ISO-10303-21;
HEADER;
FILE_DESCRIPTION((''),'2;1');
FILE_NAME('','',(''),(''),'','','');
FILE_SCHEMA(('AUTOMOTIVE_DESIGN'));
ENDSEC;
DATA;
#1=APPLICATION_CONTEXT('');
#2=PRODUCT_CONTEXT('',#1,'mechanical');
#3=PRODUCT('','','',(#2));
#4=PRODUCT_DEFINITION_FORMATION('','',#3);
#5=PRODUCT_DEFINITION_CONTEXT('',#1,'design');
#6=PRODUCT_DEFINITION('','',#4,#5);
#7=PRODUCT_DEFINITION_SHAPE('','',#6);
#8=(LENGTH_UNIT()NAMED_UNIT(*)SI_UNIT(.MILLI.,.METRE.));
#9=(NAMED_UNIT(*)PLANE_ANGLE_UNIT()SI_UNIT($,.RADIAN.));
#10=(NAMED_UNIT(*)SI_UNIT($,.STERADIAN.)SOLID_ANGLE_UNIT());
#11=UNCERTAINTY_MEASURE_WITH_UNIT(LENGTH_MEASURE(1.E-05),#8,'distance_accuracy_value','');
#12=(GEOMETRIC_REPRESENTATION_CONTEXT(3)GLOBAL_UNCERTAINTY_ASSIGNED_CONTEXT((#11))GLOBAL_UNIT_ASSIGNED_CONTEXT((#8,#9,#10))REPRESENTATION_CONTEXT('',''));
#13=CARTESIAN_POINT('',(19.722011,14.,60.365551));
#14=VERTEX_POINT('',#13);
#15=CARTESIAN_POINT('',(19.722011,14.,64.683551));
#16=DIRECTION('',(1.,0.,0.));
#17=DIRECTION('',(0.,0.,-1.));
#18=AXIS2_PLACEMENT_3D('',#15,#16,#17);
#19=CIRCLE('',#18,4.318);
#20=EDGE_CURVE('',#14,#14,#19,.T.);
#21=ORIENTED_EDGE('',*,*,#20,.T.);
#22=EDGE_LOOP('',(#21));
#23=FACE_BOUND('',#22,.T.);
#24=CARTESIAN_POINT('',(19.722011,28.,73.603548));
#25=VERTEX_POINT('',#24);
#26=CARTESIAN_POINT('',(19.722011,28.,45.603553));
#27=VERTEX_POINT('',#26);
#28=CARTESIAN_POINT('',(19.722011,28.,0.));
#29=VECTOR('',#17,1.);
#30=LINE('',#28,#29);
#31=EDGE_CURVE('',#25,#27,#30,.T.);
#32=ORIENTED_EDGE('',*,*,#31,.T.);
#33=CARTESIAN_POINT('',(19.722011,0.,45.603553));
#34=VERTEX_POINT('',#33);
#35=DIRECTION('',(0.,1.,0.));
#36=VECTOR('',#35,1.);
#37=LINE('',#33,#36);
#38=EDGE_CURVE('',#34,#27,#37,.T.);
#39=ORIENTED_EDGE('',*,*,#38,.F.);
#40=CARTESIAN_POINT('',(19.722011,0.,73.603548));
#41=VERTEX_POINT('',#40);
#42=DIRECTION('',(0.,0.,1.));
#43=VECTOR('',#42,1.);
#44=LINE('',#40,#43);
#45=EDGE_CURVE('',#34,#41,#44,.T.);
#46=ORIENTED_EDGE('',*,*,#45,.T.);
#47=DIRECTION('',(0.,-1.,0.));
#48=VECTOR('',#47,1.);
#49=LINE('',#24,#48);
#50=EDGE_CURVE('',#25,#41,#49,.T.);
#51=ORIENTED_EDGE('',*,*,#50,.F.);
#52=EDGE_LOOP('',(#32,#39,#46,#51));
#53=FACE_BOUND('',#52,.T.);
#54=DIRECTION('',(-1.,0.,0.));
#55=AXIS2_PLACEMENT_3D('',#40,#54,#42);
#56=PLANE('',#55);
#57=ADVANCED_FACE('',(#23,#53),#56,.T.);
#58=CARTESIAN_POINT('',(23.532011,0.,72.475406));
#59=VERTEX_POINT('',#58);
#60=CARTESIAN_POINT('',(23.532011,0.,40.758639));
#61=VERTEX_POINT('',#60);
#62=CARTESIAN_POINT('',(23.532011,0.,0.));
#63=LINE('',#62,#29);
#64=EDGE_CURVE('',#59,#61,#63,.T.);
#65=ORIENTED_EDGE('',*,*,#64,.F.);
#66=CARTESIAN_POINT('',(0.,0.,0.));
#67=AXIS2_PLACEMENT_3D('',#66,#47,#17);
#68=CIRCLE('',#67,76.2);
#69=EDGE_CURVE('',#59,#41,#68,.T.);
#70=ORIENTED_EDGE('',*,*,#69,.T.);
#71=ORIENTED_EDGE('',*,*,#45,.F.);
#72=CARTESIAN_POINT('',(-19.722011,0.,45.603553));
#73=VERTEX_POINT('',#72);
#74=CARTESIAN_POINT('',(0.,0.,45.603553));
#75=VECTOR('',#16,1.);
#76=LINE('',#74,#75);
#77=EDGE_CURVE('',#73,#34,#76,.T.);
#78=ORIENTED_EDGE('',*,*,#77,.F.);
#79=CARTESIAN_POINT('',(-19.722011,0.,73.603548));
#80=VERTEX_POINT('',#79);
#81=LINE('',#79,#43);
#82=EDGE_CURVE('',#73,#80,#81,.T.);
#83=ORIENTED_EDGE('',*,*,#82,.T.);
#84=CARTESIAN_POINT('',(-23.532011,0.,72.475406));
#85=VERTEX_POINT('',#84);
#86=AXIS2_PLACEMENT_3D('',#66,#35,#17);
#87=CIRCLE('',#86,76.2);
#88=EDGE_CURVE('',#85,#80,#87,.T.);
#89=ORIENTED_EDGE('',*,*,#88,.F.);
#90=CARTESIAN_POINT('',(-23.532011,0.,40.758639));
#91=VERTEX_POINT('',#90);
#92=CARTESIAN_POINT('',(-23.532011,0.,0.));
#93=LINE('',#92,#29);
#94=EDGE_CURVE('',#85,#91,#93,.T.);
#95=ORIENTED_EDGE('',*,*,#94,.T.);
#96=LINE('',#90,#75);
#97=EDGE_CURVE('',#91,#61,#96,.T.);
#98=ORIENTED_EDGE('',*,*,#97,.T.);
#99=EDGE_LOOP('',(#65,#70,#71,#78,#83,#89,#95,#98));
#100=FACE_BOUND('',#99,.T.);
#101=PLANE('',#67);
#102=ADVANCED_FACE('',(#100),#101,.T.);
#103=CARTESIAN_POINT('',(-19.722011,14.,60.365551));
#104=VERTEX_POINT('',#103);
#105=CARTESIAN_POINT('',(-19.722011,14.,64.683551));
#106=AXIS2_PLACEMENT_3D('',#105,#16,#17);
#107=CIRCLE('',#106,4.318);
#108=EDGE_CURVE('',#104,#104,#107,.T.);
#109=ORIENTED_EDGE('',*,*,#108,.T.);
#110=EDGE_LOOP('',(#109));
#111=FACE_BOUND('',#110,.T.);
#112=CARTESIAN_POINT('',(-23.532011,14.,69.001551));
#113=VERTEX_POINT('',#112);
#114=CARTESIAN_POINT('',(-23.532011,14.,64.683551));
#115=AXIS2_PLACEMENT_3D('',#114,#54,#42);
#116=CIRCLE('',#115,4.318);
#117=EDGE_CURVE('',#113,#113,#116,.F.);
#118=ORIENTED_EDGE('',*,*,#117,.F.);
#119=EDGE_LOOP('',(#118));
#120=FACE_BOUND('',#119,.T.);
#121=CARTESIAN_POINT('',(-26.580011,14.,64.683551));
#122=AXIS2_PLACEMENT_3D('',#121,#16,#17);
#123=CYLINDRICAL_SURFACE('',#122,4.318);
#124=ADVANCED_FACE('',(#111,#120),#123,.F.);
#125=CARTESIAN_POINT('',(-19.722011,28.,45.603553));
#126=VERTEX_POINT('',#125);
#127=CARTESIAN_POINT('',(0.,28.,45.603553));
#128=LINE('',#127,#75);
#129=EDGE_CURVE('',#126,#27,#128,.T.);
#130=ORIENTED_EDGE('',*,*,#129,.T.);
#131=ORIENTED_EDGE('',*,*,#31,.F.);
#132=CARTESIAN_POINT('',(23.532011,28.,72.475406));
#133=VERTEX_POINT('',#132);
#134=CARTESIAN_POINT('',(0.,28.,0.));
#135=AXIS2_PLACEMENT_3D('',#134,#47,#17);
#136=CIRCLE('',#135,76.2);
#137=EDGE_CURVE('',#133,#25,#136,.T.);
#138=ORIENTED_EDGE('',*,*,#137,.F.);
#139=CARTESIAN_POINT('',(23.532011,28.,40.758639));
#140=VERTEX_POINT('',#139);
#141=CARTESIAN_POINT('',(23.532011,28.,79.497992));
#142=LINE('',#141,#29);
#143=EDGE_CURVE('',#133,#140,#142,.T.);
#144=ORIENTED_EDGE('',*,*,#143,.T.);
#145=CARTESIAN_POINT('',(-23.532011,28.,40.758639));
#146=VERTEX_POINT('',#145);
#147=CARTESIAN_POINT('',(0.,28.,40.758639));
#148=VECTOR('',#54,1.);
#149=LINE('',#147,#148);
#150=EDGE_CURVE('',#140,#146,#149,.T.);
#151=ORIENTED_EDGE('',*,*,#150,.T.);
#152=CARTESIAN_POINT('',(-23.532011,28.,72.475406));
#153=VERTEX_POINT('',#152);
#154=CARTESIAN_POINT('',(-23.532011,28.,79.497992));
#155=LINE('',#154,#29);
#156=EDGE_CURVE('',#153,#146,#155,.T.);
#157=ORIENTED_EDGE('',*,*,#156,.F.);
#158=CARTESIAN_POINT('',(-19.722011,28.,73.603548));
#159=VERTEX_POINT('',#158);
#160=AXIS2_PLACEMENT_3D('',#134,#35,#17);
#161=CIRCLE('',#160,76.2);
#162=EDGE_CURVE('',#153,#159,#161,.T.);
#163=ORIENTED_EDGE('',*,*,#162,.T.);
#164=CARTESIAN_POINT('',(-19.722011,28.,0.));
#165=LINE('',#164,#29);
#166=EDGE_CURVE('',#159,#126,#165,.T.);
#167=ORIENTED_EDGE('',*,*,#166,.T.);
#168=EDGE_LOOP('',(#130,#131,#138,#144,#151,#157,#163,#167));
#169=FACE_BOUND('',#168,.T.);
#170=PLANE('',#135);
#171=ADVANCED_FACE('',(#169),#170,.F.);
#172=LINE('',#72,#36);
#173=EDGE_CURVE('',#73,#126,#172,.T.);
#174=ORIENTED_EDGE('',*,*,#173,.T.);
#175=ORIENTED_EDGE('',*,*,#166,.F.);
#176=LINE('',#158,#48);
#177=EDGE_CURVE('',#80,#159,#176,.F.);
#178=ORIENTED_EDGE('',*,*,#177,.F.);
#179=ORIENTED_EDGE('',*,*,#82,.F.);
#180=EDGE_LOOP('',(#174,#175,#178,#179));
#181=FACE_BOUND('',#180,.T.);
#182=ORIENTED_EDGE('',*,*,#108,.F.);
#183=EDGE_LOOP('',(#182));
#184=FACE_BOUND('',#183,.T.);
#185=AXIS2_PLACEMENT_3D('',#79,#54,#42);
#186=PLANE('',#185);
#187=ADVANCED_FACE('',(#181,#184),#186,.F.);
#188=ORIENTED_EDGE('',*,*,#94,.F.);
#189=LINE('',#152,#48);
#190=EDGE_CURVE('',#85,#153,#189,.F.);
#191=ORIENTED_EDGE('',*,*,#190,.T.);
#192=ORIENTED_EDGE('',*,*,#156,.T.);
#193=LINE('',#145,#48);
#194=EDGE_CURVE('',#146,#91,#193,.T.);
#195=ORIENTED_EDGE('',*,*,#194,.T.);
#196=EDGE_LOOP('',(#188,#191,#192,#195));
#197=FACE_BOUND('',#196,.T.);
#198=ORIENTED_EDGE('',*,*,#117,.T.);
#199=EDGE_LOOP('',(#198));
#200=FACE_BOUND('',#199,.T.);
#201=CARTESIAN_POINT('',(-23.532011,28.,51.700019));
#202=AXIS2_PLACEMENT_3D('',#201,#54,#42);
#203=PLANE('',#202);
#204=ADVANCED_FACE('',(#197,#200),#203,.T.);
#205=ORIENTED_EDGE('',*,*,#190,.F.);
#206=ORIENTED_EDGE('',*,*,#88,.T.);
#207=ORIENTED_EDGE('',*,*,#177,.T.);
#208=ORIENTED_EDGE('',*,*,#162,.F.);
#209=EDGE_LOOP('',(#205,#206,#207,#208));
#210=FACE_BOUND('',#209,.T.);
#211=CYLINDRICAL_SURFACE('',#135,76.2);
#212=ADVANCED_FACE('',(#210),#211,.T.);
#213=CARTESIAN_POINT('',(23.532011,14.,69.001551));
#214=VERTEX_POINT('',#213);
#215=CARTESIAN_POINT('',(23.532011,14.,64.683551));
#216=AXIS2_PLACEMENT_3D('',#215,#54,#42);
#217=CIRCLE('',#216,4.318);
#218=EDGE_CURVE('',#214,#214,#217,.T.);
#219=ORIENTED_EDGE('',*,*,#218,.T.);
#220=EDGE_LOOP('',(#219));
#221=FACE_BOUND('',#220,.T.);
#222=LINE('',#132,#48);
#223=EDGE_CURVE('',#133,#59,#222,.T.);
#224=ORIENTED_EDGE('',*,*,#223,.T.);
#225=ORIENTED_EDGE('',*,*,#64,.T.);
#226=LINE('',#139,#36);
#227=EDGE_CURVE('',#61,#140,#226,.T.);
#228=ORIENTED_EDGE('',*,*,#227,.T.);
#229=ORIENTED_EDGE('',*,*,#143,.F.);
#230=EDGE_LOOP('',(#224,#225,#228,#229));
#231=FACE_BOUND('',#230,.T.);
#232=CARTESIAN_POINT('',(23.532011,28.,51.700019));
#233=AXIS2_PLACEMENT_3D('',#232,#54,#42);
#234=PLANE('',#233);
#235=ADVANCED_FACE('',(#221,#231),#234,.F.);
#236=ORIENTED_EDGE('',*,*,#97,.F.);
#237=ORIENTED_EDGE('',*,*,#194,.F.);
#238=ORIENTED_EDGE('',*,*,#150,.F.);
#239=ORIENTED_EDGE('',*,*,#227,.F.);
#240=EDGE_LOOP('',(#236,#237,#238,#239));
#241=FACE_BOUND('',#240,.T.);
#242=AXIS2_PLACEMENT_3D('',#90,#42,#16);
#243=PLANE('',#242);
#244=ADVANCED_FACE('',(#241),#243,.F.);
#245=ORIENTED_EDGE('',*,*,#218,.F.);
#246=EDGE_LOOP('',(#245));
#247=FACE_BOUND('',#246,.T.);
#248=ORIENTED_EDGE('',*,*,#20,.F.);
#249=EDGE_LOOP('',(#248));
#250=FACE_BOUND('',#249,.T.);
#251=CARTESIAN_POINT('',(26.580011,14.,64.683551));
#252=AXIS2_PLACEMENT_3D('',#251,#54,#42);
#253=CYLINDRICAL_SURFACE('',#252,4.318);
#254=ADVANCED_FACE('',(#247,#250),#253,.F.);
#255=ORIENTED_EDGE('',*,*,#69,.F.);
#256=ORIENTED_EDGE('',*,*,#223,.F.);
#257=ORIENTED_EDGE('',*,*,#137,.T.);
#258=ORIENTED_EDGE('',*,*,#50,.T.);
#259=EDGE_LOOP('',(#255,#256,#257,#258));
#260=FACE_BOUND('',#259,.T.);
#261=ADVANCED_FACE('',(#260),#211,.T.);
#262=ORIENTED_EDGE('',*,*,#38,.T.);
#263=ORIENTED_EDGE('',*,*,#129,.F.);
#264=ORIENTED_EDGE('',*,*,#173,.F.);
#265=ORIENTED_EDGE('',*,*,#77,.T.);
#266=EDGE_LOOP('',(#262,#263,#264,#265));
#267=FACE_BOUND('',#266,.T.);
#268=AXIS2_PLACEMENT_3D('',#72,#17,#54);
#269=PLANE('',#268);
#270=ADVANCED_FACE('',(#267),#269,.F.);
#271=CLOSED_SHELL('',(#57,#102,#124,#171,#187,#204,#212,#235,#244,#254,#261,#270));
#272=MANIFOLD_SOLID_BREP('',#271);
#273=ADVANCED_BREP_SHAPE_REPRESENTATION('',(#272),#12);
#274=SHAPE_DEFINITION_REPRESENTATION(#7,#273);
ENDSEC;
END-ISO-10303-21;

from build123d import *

# Parameters (mm, degrees)
BOSS_EXTRUDE1_DEPTH = 28
CUT_EXTRUDE1_DEPTH  = 90.677477663
SKETCH5_R           = 6.35
CUT_EXTRUDE2_DEPTH  = 4.572
SKETCH8_R           = 6.35
SKETCH8_R_2         = 4.318
BOSS_EXTRUDE4_DEPTH = 6.858
CUT_EXTRUDE6_START  = -2.54
CUT_EXTRUDE6_DEPTH  = 91.021953984
SKETCH14_W          = 51.838761269
SKETCH14_H          = 46.114624518
CUT_EXTRUDE7_DEPTH  = 83.190253836


with BuildPart() as part:
    # Sketch2 → Boss-Extrude1 (new body)
    with BuildSketch(Plane(origin=(0, 0, 0), x_dir=(1, 0, 0), z_dir=(0, 1, 0))):
        with BuildLine():
            Line((-38.1, -65.991135768), (0, 0))
            Line((0, 0), (0, -76.2))
            ThreePointArc((0, -76.2), (-19.722011237, -73.603547963), (-38.1, -65.991135768))
        make_face()
    boss_extrude1 = extrude(amount=BOSS_EXTRUDE1_DEPTH)

    # Sketch4 → Cut-Extrude1 (cut, symmetric)
    with BuildSketch(Plane(origin=(0, 28, 0), x_dir=(1, 0, 0), z_dir=(0, 1, 0))):
        Polygon((-19.722011237, -73.603547963), (-19.722011237, -45.603553163), (19.722011237, -45.603553163), (19.722011237, -73.603547963), (19.722011237, -89.083413221), (-19.722011237, -89.083413221), align=None)
    cut_extrude1 = extrude(amount=CUT_EXTRUDE1_DEPTH, both=True, mode=Mode.SUBTRACT)

    # Sketch5 → Cut-Extrude2 (cut)
    with BuildSketch(Plane(origin=(-19.722011237, 0, 0), x_dir=(0, 0, -1), z_dir=(1, 0, 0))):
        with Locations((-64.683550563, 14)):
            Circle(SKETCH5_R)
    cut_extrude2 = extrude(amount=-CUT_EXTRUDE2_DEPTH, mode=Mode.SUBTRACT)

    # Sketch8 → Boss-Extrude4 (add)
    with BuildSketch(Plane(origin=(-19.722011237, 0, 0), x_dir=(0, 0, -1), z_dir=(1, 0, 0))):
        with Locations((-64.683550563, 14)):
            Circle(SKETCH8_R)
        with Locations((-64.683550563, 14)):
            Circle(SKETCH8_R_2, mode=Mode.SUBTRACT)
    boss_extrude4 = extrude(amount=-BOSS_EXTRUDE4_DEPTH)

    # Sketch13 → Cut-Extrude6 (cut)
    with BuildSketch(Plane(origin=(0, 0, 0), x_dir=(1, 0, 0), z_dir=(0, 1, 0)).offset(CUT_EXTRUDE6_START)):
        Polygon((-23.532011237, -79.497992122), (-59.753612954, -79.497992122), (-59.753612954, -51.700018712), (-33.00752403, -46.22932884), (-23.532011237, -36.276651464), (-23.532011237, -51.700018712), align=None)
        with BuildLine():
            Line((-6.646719096, -17.852832416), (-17.283715983, -36.276651464))
            Line((-17.283715983, -36.276651464), (-10.73360519, -40.058359694))
            Line((-10.73360519, -40.058359694), (-3.170188732, -40.058359694))
            Line((-3.170188732, -40.058359694), (-3.170188732, -18.78436593))
            ThreePointArc((-3.170188732, -18.78436593), (-4.930502865, -18.400886976), (-6.646719096, -17.852832416))
        make_face()
    cut_extrude6 = extrude(amount=CUT_EXTRUDE6_DEPTH, mode=Mode.SUBTRACT)

    # Sketch14 → Cut-Extrude7 (cut, symmetric)
    with BuildSketch(Plane(origin=(0, 28, 0), x_dir=(1, 0, 0), z_dir=(0, 1, 0))):
        with Locations((2.387369397, -17.701326807)):
            Rectangle(SKETCH14_W, SKETCH14_H)
    cut_extrude7 = extrude(amount=CUT_EXTRUDE7_DEPTH, both=True, mode=Mode.SUBTRACT)

    # Mirror2: Boss-Extrude1, Cut-Extrude1, Cut-Extrude2, Boss-Extrude4, Cut-Extrude6, Cut-Extrude7 across plane
    add(boss_extrude1.mirror(Plane(origin=(0, 28, 0), x_dir=(0, 0, 1), z_dir=(-1, 0, 0))))
    add(cut_extrude1.mirror(Plane(origin=(0, 28, 0), x_dir=(0, 0, 1), z_dir=(-1, 0, 0))), mode=Mode.SUBTRACT)
    add(cut_extrude2.mirror(Plane(origin=(0, 28, 0), x_dir=(0, 0, 1), z_dir=(-1, 0, 0))), mode=Mode.SUBTRACT)
    add(boss_extrude4.mirror(Plane(origin=(0, 28, 0), x_dir=(0, 0, 1), z_dir=(-1, 0, 0))))
    add(cut_extrude6.mirror(Plane(origin=(0, 28, 0), x_dir=(0, 0, 1), z_dir=(-1, 0, 0))), mode=Mode.SUBTRACT)
    add(cut_extrude7.mirror(Plane(origin=(0, 28, 0), x_dir=(0, 0, 1), z_dir=(-1, 0, 0))), mode=Mode.SUBTRACT)


solid = part.part
